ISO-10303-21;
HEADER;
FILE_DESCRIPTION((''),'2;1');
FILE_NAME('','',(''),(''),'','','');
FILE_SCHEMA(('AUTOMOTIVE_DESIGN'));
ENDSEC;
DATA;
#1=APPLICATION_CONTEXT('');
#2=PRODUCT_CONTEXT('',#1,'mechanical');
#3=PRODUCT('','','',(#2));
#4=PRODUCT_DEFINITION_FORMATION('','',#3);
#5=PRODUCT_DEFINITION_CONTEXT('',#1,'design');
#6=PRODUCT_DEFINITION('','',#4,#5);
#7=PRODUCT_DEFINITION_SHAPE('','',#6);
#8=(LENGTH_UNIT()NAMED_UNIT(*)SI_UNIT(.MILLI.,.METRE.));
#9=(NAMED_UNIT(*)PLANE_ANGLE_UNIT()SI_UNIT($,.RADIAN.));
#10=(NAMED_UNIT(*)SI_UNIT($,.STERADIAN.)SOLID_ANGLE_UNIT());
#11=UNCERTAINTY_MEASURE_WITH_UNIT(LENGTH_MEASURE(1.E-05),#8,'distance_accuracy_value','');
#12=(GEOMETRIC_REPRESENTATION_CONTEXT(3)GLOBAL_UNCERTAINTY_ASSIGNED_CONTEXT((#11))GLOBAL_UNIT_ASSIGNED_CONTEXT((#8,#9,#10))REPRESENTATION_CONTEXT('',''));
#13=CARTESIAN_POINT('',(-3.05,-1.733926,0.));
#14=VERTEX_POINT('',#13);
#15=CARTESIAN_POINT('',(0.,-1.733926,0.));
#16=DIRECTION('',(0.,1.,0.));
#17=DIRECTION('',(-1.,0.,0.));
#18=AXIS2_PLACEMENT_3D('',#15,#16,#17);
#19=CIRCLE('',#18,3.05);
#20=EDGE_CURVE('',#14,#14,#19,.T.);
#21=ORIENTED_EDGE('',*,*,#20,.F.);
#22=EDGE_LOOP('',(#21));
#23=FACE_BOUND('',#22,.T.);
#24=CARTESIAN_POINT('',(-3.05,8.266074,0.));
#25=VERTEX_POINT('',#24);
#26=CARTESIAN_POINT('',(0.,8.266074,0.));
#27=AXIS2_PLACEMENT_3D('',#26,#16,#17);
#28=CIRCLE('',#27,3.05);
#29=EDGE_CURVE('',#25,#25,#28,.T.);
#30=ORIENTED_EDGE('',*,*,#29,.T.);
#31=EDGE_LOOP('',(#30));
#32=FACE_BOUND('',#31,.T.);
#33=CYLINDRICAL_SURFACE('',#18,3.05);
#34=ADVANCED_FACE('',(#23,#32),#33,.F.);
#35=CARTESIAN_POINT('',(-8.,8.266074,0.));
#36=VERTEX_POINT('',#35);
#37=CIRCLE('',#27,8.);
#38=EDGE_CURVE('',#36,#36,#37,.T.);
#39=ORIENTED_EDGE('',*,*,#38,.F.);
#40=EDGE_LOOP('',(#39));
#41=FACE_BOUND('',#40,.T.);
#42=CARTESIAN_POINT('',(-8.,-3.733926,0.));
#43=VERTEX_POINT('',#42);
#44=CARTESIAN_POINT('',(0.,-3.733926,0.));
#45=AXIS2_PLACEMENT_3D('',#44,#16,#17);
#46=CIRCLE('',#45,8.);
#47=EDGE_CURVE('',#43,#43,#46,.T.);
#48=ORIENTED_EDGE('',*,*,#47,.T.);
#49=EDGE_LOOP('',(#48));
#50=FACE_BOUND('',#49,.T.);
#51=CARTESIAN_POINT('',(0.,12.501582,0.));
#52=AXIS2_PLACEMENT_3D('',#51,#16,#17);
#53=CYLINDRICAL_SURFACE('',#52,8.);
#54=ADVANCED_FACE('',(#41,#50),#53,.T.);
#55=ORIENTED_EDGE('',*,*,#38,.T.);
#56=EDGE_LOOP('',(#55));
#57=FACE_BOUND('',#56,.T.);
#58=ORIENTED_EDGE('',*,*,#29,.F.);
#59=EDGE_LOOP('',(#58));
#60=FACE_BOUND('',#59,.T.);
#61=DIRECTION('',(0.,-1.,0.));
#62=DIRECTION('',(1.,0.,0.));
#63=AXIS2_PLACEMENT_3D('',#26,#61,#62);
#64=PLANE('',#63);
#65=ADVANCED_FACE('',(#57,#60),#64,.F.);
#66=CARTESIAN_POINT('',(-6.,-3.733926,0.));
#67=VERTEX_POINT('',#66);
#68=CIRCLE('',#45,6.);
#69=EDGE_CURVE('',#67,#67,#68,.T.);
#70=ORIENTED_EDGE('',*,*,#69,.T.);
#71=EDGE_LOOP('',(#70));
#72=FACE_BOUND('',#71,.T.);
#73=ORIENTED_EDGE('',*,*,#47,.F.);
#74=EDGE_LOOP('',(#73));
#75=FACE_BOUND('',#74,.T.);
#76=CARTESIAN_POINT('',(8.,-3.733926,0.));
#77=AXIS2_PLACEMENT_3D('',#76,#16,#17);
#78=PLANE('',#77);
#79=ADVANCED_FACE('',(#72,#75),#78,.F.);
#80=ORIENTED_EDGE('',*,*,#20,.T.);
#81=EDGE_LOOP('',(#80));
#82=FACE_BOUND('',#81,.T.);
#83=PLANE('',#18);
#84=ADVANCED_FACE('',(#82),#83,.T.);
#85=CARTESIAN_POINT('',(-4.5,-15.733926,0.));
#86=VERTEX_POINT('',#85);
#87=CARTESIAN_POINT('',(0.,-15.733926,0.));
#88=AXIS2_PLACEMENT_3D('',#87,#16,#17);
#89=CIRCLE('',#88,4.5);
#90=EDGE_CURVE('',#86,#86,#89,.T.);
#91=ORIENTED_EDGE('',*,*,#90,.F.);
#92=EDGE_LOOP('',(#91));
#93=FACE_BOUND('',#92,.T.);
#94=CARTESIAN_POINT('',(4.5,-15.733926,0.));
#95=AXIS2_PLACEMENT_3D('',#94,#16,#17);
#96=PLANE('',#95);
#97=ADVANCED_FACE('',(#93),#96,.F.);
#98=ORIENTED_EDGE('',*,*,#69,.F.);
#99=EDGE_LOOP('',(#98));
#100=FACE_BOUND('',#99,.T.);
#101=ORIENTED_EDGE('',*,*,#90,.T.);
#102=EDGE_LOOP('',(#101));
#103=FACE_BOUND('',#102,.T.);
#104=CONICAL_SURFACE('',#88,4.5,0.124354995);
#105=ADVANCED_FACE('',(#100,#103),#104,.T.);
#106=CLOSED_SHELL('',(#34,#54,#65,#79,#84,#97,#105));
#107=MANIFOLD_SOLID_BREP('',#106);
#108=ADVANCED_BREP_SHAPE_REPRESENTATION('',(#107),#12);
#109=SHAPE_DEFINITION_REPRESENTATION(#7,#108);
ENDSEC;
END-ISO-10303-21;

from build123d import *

# Parameters (mm, degrees)
CROQUIS2_R            = 3.05
CORTAR_EXTRUIR1_DEPTH = 10


with BuildPart() as part:
    # Croquis1 → Revolución1 (revolve)
    with BuildSketch(Plane.XY, mode=Mode.PRIVATE) as revoluci_n1_sk:
        Polygon((0, 8.266073618), (8, 8.266073618), (8, -3.733926382), (6, -3.733926382), (4.5, -15.733926382), (0, -15.733926382), align=None)
    revolve(revoluci_n1_sk.sketch.rotate(Axis((0, 12.501582414, 0), (0, -1, 0)), 180), axis=Axis((0, 12.501582414, 0), (0, -1, 0)))

    # Croquis2 → Cortar-Extruir1 (cut)
    with BuildSketch(Plane(origin=(0, 8.266073618, 0), x_dir=(1, 0, 0), z_dir=(0, 1, 0))):
        with Locations(Location((0, 0, 0), (0, 0, 180))):
            Circle(CROQUIS2_R)
    extrude(amount=-CORTAR_EXTRUIR1_DEPTH, mode=Mode.SUBTRACT)


solid = part.part
